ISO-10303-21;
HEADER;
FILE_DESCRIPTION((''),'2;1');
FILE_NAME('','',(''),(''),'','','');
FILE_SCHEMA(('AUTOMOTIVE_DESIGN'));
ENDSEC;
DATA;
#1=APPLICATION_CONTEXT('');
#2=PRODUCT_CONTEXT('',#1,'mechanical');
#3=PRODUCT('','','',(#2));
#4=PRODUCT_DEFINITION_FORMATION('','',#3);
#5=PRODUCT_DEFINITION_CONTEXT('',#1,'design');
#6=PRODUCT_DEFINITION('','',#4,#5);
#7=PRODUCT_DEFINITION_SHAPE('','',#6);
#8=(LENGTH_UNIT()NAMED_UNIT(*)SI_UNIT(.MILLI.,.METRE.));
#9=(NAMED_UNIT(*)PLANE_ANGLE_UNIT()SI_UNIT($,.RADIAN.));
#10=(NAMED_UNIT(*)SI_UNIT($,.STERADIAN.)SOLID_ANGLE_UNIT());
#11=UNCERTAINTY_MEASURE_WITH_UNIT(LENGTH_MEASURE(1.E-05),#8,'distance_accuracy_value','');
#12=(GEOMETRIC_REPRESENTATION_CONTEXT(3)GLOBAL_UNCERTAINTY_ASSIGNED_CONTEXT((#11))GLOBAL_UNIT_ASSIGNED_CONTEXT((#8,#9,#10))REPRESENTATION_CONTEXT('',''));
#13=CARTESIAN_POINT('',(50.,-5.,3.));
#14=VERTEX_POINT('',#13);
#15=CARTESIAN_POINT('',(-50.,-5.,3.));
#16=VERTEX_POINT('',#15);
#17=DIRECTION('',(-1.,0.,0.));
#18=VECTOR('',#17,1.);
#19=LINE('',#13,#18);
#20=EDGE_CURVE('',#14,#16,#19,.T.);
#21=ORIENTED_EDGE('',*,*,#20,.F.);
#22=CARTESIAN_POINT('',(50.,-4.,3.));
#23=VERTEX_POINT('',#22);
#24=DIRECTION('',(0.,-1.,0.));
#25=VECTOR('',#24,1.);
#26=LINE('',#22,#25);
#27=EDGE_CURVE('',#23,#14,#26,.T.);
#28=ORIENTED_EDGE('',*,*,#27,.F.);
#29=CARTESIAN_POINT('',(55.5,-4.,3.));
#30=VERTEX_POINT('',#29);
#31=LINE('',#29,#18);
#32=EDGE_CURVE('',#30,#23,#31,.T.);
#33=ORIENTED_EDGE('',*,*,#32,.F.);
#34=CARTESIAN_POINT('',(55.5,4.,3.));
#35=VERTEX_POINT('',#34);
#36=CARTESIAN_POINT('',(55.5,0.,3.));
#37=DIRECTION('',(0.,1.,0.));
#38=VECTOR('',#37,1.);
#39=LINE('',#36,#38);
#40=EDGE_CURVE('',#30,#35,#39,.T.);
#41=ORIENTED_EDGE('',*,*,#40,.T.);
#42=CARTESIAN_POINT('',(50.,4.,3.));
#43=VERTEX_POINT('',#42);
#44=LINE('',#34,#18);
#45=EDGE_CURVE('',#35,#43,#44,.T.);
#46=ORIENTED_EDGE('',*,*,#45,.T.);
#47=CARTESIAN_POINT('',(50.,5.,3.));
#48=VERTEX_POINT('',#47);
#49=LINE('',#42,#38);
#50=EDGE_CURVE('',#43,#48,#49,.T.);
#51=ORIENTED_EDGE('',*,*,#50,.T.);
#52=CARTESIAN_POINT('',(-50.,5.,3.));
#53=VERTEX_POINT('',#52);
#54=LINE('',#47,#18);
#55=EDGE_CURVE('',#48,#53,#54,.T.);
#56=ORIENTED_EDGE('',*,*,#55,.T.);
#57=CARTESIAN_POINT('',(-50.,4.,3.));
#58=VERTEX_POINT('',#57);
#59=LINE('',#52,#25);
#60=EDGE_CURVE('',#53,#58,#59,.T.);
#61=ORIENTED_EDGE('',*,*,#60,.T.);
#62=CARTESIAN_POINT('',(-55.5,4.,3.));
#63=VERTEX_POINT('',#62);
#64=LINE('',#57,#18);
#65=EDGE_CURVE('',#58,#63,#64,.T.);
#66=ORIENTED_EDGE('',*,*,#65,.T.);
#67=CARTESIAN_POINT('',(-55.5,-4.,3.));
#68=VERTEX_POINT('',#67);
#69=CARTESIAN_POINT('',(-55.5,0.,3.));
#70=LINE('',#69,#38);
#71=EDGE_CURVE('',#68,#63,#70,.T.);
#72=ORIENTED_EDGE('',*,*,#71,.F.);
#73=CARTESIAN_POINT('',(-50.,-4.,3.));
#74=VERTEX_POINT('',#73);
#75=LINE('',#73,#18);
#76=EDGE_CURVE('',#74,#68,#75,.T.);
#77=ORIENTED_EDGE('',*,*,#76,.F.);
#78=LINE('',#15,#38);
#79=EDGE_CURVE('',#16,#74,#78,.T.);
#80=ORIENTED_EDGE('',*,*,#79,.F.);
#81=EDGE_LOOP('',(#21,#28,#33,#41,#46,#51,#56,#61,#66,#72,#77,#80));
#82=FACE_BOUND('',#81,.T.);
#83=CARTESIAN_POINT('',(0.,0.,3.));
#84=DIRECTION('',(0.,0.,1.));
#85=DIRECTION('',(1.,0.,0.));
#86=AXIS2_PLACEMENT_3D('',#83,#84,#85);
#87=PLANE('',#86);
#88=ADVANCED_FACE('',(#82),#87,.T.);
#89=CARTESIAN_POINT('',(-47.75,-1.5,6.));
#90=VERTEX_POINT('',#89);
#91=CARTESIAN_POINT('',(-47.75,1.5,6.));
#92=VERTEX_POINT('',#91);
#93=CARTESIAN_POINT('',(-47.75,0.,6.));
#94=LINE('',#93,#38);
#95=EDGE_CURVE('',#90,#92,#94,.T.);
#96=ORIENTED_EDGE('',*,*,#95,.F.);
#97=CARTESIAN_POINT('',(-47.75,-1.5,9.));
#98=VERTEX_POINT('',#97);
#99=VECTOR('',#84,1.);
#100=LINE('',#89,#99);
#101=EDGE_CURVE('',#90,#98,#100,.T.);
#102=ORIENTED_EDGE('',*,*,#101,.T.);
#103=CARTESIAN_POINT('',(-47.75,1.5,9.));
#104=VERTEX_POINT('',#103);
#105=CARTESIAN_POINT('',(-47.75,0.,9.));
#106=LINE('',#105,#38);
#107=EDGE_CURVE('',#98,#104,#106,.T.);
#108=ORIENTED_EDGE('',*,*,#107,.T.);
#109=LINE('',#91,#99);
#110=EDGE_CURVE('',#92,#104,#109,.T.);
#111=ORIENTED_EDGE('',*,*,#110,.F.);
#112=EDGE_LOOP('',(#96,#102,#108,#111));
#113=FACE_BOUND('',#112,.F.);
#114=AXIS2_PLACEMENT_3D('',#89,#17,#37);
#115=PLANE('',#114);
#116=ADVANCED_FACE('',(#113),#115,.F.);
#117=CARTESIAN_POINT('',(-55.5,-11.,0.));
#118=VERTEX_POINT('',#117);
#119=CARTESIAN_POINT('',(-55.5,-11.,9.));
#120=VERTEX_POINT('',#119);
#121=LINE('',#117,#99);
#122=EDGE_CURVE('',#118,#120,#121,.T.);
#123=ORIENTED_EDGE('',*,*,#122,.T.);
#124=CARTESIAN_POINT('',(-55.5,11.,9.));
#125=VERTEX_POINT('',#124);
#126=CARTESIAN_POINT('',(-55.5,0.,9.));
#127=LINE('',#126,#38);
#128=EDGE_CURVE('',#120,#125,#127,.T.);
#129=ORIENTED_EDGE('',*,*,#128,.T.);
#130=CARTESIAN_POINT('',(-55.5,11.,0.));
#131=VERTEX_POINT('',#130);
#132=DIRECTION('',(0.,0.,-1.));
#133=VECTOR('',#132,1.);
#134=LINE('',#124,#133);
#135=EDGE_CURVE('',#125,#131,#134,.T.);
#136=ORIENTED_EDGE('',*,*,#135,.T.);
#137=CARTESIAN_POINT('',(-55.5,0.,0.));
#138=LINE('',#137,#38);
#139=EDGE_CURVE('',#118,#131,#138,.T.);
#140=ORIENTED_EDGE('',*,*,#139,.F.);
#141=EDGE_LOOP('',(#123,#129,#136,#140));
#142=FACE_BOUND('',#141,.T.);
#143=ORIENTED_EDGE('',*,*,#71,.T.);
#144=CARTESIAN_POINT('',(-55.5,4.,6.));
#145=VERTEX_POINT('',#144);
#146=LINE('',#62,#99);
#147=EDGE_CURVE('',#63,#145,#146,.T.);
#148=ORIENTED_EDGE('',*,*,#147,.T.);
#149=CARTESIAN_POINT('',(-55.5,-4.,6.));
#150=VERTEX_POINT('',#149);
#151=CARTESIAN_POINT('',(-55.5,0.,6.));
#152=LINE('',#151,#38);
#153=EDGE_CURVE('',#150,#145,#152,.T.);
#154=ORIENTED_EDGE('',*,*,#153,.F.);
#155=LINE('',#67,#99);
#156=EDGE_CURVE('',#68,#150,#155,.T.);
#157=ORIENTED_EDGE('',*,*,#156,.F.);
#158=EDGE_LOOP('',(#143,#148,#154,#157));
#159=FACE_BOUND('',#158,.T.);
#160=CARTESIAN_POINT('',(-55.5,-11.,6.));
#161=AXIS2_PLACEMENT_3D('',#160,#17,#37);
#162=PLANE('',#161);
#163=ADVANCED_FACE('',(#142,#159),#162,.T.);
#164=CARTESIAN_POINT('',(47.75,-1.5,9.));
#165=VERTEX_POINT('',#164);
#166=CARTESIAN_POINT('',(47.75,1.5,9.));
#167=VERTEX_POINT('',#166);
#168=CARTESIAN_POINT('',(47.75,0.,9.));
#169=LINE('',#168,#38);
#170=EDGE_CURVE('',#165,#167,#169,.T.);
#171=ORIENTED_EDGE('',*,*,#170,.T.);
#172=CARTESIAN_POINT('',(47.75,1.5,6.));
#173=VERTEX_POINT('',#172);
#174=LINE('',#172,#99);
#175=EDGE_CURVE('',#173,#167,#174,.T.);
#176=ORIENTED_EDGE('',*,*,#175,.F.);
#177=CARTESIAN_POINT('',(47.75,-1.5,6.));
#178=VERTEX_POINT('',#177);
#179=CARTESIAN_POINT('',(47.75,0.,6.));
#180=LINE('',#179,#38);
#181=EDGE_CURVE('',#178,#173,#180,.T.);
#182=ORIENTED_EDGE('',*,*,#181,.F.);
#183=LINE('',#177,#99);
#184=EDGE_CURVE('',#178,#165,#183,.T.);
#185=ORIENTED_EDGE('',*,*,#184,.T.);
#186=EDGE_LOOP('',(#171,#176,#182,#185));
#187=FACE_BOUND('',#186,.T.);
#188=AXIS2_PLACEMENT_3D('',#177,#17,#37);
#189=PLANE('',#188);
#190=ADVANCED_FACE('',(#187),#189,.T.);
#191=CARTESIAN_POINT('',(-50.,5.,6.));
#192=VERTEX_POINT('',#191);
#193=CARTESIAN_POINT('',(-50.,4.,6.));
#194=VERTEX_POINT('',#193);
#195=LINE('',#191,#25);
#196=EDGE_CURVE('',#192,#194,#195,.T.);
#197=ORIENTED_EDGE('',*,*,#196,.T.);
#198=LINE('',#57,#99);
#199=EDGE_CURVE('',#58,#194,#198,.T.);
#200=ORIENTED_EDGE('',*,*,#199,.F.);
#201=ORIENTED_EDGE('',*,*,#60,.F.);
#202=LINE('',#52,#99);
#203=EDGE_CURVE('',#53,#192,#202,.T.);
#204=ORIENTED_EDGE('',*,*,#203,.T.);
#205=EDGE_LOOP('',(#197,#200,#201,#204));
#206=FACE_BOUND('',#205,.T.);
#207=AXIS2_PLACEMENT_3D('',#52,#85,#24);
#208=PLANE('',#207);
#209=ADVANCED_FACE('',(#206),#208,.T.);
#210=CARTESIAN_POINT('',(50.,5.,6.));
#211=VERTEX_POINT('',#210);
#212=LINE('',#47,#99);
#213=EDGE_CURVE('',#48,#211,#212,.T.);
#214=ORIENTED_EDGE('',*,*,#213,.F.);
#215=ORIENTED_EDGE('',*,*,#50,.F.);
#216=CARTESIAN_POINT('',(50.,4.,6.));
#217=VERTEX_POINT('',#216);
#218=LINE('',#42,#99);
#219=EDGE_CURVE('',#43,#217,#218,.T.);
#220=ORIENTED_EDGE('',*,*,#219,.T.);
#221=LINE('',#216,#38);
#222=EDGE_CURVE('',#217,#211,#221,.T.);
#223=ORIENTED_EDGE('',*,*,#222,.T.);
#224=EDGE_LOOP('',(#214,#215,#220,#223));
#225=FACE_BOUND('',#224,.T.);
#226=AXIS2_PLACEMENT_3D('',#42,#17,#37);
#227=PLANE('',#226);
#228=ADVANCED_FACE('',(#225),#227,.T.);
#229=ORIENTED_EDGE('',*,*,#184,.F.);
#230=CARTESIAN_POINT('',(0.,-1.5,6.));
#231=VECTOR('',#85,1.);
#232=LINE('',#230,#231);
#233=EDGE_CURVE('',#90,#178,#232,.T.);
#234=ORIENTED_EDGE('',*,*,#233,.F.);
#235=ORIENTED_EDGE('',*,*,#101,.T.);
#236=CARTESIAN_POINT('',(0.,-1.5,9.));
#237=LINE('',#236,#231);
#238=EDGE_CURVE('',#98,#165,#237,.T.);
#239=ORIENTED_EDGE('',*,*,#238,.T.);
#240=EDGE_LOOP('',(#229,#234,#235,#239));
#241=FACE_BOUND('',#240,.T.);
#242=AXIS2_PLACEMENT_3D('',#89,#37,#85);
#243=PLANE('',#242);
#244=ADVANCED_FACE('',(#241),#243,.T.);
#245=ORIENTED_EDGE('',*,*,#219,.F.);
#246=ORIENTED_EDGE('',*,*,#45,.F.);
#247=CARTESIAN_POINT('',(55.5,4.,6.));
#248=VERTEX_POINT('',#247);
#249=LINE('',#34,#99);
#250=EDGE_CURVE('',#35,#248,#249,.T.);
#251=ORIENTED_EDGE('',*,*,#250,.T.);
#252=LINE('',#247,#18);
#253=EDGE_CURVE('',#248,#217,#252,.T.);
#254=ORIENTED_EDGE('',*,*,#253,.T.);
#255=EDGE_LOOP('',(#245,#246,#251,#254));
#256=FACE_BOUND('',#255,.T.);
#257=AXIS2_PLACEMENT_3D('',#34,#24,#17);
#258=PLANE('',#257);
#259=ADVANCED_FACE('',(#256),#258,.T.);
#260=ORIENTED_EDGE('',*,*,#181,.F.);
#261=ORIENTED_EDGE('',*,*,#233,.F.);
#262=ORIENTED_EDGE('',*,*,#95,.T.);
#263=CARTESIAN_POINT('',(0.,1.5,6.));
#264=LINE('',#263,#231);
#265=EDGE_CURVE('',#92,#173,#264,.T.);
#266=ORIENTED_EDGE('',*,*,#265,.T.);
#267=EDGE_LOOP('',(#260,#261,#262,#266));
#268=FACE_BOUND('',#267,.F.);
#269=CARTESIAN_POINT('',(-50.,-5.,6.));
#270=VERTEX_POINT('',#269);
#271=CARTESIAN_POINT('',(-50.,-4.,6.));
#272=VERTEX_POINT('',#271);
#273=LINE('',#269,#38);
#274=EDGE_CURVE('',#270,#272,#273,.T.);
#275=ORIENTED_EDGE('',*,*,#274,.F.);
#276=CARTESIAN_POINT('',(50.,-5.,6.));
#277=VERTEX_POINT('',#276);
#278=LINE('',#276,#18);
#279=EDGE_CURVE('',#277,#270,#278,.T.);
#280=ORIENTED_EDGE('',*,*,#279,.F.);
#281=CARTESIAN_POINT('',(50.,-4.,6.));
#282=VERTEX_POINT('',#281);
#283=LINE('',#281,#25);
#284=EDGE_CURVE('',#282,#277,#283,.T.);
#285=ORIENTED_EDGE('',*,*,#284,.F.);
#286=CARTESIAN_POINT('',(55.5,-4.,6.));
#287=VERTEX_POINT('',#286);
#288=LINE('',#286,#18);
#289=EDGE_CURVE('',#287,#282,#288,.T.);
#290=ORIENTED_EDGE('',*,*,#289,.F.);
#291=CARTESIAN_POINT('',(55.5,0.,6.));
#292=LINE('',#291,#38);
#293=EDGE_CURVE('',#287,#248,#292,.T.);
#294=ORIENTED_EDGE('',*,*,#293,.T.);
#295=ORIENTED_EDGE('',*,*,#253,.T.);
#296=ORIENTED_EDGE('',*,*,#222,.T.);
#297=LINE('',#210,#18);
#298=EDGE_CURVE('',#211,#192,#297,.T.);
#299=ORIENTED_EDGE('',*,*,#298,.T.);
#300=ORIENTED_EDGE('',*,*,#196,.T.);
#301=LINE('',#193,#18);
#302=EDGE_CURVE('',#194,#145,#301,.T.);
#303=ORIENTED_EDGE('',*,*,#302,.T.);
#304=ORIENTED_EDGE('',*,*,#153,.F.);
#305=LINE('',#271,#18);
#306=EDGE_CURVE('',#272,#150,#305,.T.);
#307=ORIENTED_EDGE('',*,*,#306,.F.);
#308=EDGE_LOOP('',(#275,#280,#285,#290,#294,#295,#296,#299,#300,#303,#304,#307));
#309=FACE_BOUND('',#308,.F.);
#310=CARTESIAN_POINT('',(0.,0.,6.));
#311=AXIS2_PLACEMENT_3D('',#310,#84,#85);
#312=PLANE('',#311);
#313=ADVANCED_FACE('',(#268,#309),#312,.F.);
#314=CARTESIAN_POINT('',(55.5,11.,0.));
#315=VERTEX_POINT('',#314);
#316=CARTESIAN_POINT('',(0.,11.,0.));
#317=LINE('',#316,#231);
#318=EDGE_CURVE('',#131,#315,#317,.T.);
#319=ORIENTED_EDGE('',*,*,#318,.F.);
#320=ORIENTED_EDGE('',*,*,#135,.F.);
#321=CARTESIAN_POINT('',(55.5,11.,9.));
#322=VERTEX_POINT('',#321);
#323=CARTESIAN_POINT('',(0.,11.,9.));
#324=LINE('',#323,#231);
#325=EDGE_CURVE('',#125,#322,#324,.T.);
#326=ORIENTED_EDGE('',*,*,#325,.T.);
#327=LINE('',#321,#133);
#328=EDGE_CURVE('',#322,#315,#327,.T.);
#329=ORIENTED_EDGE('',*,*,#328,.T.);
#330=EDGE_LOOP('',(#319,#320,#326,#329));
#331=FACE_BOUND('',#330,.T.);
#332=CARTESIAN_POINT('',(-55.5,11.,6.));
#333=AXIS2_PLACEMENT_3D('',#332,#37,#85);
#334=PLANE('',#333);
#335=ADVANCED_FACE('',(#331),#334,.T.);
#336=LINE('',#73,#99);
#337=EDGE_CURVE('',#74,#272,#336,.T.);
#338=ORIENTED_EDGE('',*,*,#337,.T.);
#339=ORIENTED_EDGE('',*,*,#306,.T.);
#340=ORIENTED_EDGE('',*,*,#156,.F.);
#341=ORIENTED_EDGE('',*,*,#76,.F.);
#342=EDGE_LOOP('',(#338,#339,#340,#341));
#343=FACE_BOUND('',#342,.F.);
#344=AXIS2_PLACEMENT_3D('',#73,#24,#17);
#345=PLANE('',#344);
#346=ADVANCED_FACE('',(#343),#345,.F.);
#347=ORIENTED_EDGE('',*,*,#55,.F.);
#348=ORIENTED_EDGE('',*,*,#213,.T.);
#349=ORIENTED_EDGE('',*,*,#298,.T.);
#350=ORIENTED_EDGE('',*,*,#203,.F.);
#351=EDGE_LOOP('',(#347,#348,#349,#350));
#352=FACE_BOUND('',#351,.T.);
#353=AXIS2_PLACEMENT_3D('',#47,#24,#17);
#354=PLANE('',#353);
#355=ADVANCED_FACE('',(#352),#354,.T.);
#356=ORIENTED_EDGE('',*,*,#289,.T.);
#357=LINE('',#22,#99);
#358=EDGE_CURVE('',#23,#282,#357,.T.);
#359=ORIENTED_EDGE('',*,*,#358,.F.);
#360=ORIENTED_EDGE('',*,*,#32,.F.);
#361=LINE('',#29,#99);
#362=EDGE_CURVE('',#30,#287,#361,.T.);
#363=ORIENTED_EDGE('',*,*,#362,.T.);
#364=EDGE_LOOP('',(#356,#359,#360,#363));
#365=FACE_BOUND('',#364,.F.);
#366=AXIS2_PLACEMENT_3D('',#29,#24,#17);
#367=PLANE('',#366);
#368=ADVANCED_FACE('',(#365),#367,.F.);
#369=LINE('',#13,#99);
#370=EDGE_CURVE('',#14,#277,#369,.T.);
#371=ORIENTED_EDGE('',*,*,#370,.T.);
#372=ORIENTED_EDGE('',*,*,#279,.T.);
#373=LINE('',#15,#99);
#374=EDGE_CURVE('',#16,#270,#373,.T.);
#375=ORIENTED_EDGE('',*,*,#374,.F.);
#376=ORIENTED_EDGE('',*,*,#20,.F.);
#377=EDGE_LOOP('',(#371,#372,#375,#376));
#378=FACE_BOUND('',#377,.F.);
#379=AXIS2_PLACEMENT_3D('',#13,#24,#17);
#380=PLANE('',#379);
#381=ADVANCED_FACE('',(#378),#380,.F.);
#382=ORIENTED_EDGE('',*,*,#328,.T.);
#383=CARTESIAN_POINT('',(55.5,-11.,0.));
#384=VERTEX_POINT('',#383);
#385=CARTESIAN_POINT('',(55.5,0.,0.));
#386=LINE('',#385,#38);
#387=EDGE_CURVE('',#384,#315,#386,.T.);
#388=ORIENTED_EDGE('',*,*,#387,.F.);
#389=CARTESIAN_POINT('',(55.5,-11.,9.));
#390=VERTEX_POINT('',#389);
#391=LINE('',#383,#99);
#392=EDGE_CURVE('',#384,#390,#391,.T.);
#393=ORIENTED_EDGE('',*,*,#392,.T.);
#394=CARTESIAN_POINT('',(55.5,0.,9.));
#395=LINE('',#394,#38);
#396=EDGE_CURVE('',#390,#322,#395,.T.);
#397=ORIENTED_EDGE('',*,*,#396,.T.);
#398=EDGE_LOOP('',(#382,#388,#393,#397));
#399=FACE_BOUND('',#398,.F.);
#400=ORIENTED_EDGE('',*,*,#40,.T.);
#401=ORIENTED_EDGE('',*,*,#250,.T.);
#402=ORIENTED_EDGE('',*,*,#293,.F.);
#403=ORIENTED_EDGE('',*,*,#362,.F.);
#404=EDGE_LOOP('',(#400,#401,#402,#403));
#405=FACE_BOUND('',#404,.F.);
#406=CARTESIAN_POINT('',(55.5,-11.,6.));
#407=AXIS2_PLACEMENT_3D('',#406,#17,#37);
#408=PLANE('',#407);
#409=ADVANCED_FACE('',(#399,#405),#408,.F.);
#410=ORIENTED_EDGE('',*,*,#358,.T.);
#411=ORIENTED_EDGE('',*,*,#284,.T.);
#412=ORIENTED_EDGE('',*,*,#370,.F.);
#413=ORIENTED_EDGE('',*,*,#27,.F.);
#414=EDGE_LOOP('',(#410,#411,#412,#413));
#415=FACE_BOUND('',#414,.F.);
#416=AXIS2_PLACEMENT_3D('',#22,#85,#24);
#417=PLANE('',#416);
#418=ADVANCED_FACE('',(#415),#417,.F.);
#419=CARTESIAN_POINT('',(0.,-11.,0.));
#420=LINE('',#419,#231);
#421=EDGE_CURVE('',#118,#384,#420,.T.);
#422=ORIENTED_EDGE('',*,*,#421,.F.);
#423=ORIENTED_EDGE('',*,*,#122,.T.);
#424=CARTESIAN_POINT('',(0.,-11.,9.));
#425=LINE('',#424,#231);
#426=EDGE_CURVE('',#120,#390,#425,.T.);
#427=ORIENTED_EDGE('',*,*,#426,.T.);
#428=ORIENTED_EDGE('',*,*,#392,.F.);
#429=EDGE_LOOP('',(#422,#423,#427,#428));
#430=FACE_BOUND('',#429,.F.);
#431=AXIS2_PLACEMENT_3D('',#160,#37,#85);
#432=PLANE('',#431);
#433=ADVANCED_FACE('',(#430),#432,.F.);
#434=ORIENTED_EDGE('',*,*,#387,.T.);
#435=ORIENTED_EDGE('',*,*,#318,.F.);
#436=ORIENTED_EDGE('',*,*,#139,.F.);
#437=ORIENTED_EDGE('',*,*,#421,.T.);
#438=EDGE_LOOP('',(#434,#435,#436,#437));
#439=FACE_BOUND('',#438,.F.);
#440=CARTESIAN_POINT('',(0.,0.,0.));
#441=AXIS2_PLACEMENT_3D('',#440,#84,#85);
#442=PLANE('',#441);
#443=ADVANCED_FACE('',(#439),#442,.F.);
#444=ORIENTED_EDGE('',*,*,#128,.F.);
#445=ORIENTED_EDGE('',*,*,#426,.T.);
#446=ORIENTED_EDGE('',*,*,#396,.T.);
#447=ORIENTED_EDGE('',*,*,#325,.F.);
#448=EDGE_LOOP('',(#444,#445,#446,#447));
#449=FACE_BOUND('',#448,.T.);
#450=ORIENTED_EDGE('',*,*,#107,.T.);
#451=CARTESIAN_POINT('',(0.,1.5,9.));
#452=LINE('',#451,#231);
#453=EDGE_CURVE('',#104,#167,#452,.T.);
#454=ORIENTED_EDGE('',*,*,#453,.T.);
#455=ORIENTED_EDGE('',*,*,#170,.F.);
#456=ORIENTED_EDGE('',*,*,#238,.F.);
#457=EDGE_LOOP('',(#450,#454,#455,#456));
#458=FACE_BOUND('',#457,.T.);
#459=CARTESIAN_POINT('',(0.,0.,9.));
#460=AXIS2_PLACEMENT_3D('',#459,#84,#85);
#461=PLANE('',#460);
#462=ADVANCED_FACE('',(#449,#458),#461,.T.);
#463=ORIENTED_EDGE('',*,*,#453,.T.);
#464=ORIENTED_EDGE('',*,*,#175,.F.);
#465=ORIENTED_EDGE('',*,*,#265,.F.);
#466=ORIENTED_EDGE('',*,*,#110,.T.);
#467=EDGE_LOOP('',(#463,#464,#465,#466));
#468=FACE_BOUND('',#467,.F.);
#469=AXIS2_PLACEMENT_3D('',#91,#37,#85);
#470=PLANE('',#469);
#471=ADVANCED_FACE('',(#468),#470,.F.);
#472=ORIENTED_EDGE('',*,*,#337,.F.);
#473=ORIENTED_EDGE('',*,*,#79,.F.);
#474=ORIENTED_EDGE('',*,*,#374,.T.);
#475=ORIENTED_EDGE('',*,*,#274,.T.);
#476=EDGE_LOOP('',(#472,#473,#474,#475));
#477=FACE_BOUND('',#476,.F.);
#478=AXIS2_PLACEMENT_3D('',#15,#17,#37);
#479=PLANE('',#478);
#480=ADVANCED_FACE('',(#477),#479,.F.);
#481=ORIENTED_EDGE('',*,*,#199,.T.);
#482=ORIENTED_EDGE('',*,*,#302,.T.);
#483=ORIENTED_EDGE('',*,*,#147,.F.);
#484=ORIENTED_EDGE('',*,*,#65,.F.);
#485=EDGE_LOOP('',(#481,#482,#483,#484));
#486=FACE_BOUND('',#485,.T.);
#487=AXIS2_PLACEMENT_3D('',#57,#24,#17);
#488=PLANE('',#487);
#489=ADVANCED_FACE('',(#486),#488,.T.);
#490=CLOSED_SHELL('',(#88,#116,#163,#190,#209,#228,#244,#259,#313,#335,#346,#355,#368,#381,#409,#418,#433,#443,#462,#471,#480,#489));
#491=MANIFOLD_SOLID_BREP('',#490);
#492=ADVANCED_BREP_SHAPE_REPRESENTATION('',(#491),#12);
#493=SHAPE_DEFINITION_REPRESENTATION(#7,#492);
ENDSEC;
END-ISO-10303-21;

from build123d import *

# Parameters (mm, degrees)
SKETCH_W      = 111
SKETCH_H      = 22
PAD_DEPTH     = 3
PAD001_DEPTH  = 3
SKETCH002_W   = 111
SKETCH002_H   = 22
SKETCH002_W_2 = 95.5
SKETCH002_H_2 = 3
PAD002_DEPTH  = 3


with BuildPart() as part:
    # Sketch → Pad (new body)
    with BuildSketch(Plane.XY):
        Rectangle(SKETCH_W, SKETCH_H)
    extrude(amount=PAD_DEPTH)

    # Sketch001 (on Face6 of Pad) → Pad001 (join)
    with BuildSketch(Plane.XY.offset(3)):
        Polygon((-55.5, 11), (55.5, 11), (55.5, 4), (50, 4), (50, 5), (-50, 5), (-50, 4), (-55.5, 4), align=None)
        Polygon((-55.5, -11), (55.5, -11), (55.5, -4), (50, -4), (50, -5), (-50, -5), (-50, -4), (-55.5, -4), align=None)
    extrude(amount=PAD001_DEPTH)

    # Sketch002 (on Face12 of Pad001) → Pad002 (join)
    with BuildSketch(Plane.XY.offset(6)):
        Rectangle(SKETCH002_W, SKETCH002_H)
        Rectangle(SKETCH002_W_2, SKETCH002_H_2, mode=Mode.SUBTRACT)
    extrude(amount=PAD002_DEPTH)


solid = part.part
